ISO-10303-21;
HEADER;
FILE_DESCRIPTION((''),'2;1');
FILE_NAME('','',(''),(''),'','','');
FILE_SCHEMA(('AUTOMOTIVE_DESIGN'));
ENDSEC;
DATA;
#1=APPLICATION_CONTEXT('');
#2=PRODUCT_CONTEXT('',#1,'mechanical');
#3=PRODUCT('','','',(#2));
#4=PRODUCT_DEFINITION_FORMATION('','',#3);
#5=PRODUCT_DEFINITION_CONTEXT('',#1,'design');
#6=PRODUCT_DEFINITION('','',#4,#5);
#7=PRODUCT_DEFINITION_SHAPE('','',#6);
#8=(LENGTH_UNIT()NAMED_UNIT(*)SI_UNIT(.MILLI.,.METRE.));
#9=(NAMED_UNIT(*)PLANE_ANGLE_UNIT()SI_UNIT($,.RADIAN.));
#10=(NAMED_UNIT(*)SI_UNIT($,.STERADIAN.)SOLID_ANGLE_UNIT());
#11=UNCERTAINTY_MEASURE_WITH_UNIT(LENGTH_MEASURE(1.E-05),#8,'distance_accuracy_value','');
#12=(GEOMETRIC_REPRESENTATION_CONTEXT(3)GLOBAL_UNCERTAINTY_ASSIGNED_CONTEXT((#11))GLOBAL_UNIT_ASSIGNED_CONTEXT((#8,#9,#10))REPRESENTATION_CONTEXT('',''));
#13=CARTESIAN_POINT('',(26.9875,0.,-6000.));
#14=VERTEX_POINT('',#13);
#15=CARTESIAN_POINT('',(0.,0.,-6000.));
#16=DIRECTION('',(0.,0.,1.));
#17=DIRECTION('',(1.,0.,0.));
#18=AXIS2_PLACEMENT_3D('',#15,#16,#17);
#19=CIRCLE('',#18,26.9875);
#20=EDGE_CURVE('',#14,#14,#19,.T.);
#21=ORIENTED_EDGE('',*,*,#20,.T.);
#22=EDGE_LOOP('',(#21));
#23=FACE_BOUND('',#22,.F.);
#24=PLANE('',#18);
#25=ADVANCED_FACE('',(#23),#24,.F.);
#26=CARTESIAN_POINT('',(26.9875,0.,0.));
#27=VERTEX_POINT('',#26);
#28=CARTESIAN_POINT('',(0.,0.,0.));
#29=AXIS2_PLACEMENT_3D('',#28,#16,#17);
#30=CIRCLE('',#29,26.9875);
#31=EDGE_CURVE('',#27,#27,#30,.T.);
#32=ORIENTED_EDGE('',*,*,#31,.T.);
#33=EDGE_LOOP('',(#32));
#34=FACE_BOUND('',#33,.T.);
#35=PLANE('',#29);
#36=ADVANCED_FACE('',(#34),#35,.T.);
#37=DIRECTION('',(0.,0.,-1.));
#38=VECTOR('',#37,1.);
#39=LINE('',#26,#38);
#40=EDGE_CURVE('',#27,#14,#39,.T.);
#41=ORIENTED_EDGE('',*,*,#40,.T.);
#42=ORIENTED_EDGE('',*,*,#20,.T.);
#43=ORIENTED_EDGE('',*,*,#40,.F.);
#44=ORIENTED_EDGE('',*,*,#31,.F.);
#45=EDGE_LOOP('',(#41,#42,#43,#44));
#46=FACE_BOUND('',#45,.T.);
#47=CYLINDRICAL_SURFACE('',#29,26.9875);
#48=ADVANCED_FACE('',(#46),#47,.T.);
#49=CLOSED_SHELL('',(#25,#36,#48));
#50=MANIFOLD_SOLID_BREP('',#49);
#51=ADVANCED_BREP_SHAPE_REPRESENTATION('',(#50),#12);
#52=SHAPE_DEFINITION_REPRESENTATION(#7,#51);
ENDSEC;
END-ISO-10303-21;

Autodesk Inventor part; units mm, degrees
ref_plane "XZ Plane" through (0, 0, 0) normal (0, 1, 0) x (-1, 0, 0)
ref_plane "XY Plane" through (0, 0, 0) normal (0, 0, 1) x (1, 0, 0)
sketch "Sketch1" plane through (0, 0, 0) normal (0, 0, 1) x (1, 0, 0)
  circle A0 centre (0, 0) radius 26.9875
  dimension "d0" = 53.975
extrude "Extrusion1" add sketch "Sketch1" against normal blind 6000
ref_plane "Work Plane1" through (-26.9875, 0, 0) normal (1, 0, 0) x (0, 1, 0)
properties part number "Tubo-2_1_8" material "Steel AISI 1050"
